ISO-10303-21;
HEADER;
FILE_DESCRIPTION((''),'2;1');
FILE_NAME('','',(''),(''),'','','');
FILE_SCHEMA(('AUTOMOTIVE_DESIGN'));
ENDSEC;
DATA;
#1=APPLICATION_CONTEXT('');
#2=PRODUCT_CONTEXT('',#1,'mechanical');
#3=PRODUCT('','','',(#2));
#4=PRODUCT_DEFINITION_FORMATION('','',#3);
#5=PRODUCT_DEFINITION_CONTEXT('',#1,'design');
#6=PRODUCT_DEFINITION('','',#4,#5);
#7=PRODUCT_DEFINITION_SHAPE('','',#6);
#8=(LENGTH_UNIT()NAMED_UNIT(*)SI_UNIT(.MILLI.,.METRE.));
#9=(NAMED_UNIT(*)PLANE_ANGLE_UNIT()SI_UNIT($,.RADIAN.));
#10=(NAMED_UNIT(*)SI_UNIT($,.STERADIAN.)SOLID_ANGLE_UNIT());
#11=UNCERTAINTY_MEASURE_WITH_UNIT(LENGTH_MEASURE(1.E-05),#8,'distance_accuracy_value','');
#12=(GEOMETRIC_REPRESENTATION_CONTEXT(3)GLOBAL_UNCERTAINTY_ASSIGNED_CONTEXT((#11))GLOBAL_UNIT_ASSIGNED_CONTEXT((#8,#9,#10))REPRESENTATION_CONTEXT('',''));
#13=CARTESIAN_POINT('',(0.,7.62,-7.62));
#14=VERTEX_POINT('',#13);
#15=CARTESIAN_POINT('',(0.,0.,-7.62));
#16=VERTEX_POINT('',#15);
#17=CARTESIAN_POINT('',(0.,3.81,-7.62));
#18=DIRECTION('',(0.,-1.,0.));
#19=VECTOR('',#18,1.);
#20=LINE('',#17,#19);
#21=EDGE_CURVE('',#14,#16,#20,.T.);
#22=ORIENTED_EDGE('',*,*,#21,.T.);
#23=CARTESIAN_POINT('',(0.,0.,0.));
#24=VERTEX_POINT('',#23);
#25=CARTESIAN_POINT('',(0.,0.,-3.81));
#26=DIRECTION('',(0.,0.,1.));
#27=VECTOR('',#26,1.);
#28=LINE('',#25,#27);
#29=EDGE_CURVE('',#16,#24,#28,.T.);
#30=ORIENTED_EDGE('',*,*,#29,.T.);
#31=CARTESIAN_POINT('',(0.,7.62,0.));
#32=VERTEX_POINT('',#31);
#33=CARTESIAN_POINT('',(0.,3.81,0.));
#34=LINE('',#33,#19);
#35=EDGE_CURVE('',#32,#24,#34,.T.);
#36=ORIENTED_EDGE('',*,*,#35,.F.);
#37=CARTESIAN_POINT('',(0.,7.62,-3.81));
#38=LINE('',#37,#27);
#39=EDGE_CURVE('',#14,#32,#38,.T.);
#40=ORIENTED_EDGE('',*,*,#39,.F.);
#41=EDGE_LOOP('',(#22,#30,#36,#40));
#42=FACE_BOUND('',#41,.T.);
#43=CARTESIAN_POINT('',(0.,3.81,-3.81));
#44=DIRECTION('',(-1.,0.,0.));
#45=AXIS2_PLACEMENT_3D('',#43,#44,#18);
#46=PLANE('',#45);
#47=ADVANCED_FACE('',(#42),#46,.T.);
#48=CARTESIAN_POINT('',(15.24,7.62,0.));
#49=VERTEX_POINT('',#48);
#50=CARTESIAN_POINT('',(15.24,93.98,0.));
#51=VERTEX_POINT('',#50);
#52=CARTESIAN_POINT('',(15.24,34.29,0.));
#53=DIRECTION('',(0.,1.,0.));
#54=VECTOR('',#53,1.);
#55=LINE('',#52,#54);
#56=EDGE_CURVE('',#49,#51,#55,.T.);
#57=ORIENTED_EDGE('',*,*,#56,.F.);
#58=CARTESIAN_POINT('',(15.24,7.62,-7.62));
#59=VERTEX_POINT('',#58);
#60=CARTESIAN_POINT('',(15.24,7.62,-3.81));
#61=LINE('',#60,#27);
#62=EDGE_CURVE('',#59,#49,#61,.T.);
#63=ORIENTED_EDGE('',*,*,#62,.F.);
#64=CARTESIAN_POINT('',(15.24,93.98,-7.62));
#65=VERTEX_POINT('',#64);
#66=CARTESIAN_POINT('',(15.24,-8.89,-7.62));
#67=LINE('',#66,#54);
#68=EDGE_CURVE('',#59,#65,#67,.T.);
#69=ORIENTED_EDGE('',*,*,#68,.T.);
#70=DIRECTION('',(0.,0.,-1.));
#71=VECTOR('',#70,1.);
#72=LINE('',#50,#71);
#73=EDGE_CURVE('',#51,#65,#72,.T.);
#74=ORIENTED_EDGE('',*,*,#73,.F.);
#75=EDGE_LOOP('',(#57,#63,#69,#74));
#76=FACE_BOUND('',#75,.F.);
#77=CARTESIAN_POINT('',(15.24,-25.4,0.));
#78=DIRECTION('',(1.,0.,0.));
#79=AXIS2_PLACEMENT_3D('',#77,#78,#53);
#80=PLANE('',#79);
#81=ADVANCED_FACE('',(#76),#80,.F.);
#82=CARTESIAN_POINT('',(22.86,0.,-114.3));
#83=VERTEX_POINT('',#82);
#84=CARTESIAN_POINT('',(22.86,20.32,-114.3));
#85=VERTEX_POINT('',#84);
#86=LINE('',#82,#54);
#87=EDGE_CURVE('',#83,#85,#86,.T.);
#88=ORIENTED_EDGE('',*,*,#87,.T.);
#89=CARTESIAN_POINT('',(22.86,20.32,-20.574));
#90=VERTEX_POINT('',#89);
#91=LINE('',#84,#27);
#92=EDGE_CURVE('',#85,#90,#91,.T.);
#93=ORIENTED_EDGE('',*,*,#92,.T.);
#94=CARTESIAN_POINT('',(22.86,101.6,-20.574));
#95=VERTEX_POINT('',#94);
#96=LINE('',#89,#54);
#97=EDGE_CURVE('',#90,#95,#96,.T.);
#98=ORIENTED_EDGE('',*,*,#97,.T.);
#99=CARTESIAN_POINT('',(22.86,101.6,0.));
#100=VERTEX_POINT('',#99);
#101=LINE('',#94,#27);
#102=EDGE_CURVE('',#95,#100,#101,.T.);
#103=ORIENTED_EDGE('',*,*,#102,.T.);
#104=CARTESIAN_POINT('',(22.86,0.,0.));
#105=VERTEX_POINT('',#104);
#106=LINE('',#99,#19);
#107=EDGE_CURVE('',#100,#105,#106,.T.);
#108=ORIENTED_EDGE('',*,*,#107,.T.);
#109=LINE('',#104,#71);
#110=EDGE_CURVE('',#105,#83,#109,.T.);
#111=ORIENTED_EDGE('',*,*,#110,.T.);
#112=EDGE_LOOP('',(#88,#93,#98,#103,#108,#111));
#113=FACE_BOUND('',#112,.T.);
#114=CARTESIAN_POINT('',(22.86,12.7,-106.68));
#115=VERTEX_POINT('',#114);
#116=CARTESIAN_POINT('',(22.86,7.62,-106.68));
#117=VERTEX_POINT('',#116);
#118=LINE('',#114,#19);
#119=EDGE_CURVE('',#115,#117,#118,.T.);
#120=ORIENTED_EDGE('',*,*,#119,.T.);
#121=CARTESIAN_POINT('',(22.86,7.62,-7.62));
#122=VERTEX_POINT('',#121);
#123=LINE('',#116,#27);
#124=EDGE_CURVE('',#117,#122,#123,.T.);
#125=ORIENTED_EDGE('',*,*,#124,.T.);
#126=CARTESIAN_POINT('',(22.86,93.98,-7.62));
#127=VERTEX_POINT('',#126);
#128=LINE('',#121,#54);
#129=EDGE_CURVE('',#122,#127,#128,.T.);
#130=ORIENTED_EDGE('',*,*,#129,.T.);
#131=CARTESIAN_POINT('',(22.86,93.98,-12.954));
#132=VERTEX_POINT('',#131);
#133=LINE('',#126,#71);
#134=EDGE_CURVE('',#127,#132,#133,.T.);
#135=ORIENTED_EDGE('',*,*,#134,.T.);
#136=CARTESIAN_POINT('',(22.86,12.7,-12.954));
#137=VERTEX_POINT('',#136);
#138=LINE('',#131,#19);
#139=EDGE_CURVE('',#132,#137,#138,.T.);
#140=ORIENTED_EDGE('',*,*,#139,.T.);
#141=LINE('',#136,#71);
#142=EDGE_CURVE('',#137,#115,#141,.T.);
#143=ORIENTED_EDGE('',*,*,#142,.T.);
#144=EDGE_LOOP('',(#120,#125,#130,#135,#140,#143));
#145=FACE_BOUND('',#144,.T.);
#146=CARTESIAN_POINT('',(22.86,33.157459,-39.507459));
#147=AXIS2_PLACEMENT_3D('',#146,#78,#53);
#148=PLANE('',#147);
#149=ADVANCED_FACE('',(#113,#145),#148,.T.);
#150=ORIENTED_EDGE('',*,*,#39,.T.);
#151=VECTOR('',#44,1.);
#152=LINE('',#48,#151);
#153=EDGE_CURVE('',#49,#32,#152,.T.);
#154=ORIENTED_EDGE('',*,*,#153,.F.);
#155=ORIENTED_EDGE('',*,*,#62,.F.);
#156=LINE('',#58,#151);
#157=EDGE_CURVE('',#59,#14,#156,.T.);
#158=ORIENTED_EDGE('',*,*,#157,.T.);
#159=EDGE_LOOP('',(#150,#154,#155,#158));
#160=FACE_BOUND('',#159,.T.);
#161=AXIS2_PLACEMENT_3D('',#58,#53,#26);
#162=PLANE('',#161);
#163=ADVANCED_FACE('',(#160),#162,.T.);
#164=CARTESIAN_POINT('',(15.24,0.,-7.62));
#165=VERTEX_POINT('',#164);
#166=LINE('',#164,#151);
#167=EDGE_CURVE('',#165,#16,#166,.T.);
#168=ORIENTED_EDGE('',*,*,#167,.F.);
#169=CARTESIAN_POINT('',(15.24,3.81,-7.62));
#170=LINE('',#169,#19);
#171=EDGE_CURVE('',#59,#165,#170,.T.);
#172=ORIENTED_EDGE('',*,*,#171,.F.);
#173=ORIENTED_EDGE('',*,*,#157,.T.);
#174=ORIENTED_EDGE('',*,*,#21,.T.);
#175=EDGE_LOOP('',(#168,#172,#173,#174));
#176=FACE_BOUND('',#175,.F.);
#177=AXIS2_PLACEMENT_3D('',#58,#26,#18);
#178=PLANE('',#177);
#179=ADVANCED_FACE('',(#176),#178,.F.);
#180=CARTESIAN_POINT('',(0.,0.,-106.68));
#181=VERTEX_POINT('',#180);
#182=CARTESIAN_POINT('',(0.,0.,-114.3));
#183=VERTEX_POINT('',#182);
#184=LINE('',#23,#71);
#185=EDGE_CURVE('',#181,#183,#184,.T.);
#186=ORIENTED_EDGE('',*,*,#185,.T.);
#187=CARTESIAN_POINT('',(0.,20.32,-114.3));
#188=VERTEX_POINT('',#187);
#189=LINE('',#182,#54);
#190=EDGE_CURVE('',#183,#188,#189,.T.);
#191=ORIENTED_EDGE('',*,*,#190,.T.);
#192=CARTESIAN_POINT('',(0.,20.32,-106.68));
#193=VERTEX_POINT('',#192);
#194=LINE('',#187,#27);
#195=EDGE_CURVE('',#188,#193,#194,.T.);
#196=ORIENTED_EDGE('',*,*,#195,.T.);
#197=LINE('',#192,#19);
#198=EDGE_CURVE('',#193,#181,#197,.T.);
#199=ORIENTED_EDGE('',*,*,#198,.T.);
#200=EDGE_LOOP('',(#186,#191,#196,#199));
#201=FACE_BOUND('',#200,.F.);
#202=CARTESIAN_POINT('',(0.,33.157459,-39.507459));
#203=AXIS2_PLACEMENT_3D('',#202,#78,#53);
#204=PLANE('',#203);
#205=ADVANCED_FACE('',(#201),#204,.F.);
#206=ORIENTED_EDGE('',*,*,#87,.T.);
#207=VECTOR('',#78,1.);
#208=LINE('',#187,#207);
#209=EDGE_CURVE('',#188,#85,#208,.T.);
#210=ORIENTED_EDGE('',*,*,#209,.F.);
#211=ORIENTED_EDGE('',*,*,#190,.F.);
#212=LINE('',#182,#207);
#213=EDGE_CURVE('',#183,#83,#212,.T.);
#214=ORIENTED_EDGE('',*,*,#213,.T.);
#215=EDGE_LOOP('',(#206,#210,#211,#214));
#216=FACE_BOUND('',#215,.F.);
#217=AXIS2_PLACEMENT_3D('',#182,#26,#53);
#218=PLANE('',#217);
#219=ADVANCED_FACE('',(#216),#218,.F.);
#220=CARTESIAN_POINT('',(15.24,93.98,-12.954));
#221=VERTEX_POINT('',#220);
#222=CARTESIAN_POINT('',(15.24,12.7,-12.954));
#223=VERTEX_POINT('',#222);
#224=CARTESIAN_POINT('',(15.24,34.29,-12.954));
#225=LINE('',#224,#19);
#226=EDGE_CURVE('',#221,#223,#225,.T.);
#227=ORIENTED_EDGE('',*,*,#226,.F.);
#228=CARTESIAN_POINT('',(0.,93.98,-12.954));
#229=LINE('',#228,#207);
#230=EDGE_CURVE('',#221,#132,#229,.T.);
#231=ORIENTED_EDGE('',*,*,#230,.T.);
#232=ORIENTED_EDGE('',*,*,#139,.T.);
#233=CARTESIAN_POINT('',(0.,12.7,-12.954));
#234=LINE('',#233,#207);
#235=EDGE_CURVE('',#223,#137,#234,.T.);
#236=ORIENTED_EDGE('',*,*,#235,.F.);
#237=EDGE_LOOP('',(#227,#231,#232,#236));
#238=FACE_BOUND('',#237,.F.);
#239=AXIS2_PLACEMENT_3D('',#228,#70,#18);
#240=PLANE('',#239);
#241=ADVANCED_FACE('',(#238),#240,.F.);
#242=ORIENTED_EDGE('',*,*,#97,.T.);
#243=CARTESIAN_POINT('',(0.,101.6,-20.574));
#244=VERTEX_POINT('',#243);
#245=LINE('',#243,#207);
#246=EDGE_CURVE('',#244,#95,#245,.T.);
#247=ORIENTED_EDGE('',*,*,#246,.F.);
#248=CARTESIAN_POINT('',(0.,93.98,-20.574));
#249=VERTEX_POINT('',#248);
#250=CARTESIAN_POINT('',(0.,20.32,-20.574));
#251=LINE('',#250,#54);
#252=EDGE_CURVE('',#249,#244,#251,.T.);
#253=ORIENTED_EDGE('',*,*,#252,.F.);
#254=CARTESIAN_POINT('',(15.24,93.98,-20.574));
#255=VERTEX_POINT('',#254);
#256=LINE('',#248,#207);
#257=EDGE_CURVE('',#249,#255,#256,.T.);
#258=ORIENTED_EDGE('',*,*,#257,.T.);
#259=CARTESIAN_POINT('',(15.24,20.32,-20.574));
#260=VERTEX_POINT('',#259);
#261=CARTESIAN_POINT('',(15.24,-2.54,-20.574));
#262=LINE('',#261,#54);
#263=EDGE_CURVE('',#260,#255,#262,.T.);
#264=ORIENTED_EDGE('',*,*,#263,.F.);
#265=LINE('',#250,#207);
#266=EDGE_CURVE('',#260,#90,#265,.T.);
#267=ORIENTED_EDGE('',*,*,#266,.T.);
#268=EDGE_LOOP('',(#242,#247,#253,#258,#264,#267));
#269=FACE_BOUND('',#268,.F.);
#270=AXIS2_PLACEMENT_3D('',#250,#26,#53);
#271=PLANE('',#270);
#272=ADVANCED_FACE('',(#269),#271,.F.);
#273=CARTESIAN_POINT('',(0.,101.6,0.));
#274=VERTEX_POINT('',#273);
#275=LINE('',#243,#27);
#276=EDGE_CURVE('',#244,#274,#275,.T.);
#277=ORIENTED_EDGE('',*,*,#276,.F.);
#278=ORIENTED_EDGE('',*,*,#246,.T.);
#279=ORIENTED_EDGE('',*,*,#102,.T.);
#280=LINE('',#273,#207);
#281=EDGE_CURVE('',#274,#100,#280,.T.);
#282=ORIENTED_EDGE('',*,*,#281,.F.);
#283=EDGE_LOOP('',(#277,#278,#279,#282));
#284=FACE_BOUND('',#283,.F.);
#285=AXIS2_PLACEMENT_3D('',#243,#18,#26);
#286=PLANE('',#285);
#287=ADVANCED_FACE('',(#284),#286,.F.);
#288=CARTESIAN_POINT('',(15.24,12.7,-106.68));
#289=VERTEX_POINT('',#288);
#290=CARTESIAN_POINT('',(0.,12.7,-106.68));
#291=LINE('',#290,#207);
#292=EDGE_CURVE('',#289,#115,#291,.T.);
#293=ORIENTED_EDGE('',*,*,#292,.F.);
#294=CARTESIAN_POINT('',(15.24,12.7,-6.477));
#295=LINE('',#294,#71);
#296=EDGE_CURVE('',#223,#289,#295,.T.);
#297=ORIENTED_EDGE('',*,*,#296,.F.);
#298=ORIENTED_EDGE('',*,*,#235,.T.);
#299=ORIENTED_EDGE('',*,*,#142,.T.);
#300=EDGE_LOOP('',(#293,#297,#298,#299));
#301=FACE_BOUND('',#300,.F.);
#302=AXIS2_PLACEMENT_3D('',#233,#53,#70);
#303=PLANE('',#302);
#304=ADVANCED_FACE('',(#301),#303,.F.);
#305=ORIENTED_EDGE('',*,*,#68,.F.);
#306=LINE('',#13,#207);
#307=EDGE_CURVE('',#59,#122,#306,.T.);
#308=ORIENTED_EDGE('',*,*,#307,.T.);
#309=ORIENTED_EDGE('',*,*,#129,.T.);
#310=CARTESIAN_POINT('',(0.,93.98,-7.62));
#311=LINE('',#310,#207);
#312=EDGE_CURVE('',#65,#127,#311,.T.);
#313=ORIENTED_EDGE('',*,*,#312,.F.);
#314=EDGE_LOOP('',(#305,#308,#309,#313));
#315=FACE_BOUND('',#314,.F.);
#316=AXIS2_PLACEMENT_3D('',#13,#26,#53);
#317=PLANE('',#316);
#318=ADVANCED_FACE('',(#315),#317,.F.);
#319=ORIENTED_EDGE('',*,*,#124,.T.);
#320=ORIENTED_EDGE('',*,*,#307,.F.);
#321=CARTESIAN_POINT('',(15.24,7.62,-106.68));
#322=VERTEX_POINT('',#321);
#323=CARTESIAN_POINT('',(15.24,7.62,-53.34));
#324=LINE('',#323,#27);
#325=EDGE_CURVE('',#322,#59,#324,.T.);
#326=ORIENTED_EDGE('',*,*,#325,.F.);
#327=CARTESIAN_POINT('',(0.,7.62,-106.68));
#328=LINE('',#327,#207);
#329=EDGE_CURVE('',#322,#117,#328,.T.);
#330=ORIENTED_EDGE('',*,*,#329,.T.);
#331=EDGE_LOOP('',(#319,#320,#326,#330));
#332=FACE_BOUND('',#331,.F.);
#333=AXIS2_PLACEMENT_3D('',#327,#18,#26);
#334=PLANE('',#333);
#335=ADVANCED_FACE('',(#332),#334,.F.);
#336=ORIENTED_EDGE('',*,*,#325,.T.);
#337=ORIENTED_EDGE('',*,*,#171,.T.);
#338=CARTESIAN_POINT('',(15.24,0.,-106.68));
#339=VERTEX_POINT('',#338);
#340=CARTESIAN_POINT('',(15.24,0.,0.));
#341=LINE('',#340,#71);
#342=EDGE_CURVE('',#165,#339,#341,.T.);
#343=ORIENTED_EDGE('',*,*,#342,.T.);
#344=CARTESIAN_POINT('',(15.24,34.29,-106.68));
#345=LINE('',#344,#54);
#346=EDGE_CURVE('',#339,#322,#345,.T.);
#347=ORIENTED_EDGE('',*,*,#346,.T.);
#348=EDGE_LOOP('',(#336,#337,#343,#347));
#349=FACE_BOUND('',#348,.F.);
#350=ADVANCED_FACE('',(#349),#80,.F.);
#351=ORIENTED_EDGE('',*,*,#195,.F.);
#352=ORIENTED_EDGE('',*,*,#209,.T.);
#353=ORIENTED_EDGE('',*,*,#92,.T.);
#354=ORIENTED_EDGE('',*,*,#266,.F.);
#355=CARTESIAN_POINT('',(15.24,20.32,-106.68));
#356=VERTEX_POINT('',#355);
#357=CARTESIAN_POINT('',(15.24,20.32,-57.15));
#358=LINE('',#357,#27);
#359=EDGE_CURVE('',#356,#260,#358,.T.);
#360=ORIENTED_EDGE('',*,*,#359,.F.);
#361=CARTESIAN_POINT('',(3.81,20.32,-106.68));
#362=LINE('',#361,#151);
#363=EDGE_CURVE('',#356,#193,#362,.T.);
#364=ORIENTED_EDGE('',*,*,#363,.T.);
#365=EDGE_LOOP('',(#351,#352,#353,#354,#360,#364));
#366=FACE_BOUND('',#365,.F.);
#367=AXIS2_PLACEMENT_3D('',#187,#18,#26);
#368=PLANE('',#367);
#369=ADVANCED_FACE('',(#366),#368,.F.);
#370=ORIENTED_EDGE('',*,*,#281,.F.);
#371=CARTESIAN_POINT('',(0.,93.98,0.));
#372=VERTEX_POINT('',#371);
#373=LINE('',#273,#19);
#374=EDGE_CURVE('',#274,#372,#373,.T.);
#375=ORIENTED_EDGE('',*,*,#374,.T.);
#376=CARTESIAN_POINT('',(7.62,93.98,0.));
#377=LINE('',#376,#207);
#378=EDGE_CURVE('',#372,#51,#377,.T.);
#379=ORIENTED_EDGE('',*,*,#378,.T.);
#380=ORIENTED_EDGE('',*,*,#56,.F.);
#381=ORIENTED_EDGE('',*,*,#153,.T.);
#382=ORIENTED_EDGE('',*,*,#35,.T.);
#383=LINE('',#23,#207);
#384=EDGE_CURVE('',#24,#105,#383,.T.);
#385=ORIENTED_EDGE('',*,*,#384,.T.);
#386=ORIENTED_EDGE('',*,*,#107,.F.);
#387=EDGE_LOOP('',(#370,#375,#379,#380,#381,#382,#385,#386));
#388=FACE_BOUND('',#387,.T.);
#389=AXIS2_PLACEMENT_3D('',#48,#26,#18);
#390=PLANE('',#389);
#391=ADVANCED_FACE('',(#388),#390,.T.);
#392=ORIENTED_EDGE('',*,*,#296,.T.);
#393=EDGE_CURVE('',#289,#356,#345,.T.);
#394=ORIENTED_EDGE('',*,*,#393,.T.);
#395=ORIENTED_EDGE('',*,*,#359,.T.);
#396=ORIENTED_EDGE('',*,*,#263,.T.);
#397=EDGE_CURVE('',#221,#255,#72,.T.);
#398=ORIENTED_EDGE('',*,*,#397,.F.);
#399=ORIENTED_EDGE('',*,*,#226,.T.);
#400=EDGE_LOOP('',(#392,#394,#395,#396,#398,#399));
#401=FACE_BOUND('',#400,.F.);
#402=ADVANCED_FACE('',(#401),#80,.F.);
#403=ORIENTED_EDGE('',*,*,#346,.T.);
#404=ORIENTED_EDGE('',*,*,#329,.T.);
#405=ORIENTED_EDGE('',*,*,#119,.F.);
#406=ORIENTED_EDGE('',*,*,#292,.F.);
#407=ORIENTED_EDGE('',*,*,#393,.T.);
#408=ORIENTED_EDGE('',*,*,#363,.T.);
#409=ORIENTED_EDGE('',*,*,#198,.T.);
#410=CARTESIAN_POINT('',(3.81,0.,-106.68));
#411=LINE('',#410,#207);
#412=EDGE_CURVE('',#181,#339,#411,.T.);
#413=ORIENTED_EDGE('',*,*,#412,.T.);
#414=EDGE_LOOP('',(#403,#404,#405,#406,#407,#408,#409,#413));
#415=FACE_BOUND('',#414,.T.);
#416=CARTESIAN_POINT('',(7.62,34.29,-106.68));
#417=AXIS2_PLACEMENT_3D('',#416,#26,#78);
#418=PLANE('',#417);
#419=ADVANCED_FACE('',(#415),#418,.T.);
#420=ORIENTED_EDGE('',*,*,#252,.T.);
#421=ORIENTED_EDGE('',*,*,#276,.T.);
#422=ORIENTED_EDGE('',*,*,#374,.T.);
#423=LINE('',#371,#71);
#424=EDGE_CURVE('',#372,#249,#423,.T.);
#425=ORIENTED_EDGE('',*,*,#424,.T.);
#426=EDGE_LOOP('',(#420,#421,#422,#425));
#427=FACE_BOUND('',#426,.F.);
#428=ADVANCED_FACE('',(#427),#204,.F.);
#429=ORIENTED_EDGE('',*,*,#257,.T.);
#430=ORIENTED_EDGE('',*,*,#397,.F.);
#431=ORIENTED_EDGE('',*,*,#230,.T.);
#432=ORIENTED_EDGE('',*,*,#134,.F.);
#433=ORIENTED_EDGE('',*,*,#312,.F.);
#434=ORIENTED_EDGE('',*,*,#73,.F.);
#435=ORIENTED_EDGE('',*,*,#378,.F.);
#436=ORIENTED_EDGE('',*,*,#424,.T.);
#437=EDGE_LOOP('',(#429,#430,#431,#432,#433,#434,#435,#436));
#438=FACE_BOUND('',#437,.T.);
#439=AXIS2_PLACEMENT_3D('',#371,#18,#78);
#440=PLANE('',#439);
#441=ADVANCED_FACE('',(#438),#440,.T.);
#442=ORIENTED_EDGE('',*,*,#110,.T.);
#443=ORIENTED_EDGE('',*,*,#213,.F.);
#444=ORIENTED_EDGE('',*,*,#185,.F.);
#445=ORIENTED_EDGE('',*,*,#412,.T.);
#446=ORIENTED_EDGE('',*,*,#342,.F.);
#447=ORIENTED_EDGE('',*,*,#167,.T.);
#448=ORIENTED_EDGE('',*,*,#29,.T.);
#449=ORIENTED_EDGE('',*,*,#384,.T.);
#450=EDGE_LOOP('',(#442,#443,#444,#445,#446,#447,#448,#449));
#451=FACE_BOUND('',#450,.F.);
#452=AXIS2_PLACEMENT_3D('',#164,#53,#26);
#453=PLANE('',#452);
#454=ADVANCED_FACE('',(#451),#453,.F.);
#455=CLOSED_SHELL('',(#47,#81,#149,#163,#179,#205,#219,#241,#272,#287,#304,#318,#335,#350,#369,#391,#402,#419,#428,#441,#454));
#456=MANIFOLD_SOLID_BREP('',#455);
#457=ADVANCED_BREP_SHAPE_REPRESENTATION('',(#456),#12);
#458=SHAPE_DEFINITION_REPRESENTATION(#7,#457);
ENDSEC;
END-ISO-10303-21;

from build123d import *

# Parameters (mm, degrees)
F1_DEPTH = 22.86
F2_W     = 15.24
F2_H     = 119.38
F3_DEPTH = 106.68
F4_W     = 7.62
F4_H     = 7.62
F5_DEPTH = 15.24


with BuildPart() as f1:
    # F0 (on Right) → F1 (new body)
    with BuildSketch(Plane.YZ):
        Polygon((0, 0), (0, -114.3), (20.32, -114.3), (20.32, -20.574), (101.6, -20.574), (101.6, 0), (20.32, 0), align=None)
        Polygon((12.7, -106.68), (7.62, -106.68), (7.62, -7.62), (93.98, -7.62), (93.98, -12.954), (12.7, -12.954), align=None, mode=Mode.SUBTRACT)
    extrude(amount=F1_DEPTH)

    # F2 (on face) → F3 (cut)
    with BuildSketch(Plane.XY):
        with Locations((7.62, 34.29)):
            Rectangle(F2_W, F2_H)
    extrude(amount=-F3_DEPTH, mode=Mode.SUBTRACT)

    # F4 (on face) → F5 (join, through all)
    with BuildSketch(Plane(origin=(15.24, 0, 0), x_dir=(0, -1, 0), z_dir=(-1, 0, 0))):
        with Locations((-3.81, -3.81)):
            Rectangle(F4_W, F4_H)
    extrude(amount=F5_DEPTH)


solid = f1.part
